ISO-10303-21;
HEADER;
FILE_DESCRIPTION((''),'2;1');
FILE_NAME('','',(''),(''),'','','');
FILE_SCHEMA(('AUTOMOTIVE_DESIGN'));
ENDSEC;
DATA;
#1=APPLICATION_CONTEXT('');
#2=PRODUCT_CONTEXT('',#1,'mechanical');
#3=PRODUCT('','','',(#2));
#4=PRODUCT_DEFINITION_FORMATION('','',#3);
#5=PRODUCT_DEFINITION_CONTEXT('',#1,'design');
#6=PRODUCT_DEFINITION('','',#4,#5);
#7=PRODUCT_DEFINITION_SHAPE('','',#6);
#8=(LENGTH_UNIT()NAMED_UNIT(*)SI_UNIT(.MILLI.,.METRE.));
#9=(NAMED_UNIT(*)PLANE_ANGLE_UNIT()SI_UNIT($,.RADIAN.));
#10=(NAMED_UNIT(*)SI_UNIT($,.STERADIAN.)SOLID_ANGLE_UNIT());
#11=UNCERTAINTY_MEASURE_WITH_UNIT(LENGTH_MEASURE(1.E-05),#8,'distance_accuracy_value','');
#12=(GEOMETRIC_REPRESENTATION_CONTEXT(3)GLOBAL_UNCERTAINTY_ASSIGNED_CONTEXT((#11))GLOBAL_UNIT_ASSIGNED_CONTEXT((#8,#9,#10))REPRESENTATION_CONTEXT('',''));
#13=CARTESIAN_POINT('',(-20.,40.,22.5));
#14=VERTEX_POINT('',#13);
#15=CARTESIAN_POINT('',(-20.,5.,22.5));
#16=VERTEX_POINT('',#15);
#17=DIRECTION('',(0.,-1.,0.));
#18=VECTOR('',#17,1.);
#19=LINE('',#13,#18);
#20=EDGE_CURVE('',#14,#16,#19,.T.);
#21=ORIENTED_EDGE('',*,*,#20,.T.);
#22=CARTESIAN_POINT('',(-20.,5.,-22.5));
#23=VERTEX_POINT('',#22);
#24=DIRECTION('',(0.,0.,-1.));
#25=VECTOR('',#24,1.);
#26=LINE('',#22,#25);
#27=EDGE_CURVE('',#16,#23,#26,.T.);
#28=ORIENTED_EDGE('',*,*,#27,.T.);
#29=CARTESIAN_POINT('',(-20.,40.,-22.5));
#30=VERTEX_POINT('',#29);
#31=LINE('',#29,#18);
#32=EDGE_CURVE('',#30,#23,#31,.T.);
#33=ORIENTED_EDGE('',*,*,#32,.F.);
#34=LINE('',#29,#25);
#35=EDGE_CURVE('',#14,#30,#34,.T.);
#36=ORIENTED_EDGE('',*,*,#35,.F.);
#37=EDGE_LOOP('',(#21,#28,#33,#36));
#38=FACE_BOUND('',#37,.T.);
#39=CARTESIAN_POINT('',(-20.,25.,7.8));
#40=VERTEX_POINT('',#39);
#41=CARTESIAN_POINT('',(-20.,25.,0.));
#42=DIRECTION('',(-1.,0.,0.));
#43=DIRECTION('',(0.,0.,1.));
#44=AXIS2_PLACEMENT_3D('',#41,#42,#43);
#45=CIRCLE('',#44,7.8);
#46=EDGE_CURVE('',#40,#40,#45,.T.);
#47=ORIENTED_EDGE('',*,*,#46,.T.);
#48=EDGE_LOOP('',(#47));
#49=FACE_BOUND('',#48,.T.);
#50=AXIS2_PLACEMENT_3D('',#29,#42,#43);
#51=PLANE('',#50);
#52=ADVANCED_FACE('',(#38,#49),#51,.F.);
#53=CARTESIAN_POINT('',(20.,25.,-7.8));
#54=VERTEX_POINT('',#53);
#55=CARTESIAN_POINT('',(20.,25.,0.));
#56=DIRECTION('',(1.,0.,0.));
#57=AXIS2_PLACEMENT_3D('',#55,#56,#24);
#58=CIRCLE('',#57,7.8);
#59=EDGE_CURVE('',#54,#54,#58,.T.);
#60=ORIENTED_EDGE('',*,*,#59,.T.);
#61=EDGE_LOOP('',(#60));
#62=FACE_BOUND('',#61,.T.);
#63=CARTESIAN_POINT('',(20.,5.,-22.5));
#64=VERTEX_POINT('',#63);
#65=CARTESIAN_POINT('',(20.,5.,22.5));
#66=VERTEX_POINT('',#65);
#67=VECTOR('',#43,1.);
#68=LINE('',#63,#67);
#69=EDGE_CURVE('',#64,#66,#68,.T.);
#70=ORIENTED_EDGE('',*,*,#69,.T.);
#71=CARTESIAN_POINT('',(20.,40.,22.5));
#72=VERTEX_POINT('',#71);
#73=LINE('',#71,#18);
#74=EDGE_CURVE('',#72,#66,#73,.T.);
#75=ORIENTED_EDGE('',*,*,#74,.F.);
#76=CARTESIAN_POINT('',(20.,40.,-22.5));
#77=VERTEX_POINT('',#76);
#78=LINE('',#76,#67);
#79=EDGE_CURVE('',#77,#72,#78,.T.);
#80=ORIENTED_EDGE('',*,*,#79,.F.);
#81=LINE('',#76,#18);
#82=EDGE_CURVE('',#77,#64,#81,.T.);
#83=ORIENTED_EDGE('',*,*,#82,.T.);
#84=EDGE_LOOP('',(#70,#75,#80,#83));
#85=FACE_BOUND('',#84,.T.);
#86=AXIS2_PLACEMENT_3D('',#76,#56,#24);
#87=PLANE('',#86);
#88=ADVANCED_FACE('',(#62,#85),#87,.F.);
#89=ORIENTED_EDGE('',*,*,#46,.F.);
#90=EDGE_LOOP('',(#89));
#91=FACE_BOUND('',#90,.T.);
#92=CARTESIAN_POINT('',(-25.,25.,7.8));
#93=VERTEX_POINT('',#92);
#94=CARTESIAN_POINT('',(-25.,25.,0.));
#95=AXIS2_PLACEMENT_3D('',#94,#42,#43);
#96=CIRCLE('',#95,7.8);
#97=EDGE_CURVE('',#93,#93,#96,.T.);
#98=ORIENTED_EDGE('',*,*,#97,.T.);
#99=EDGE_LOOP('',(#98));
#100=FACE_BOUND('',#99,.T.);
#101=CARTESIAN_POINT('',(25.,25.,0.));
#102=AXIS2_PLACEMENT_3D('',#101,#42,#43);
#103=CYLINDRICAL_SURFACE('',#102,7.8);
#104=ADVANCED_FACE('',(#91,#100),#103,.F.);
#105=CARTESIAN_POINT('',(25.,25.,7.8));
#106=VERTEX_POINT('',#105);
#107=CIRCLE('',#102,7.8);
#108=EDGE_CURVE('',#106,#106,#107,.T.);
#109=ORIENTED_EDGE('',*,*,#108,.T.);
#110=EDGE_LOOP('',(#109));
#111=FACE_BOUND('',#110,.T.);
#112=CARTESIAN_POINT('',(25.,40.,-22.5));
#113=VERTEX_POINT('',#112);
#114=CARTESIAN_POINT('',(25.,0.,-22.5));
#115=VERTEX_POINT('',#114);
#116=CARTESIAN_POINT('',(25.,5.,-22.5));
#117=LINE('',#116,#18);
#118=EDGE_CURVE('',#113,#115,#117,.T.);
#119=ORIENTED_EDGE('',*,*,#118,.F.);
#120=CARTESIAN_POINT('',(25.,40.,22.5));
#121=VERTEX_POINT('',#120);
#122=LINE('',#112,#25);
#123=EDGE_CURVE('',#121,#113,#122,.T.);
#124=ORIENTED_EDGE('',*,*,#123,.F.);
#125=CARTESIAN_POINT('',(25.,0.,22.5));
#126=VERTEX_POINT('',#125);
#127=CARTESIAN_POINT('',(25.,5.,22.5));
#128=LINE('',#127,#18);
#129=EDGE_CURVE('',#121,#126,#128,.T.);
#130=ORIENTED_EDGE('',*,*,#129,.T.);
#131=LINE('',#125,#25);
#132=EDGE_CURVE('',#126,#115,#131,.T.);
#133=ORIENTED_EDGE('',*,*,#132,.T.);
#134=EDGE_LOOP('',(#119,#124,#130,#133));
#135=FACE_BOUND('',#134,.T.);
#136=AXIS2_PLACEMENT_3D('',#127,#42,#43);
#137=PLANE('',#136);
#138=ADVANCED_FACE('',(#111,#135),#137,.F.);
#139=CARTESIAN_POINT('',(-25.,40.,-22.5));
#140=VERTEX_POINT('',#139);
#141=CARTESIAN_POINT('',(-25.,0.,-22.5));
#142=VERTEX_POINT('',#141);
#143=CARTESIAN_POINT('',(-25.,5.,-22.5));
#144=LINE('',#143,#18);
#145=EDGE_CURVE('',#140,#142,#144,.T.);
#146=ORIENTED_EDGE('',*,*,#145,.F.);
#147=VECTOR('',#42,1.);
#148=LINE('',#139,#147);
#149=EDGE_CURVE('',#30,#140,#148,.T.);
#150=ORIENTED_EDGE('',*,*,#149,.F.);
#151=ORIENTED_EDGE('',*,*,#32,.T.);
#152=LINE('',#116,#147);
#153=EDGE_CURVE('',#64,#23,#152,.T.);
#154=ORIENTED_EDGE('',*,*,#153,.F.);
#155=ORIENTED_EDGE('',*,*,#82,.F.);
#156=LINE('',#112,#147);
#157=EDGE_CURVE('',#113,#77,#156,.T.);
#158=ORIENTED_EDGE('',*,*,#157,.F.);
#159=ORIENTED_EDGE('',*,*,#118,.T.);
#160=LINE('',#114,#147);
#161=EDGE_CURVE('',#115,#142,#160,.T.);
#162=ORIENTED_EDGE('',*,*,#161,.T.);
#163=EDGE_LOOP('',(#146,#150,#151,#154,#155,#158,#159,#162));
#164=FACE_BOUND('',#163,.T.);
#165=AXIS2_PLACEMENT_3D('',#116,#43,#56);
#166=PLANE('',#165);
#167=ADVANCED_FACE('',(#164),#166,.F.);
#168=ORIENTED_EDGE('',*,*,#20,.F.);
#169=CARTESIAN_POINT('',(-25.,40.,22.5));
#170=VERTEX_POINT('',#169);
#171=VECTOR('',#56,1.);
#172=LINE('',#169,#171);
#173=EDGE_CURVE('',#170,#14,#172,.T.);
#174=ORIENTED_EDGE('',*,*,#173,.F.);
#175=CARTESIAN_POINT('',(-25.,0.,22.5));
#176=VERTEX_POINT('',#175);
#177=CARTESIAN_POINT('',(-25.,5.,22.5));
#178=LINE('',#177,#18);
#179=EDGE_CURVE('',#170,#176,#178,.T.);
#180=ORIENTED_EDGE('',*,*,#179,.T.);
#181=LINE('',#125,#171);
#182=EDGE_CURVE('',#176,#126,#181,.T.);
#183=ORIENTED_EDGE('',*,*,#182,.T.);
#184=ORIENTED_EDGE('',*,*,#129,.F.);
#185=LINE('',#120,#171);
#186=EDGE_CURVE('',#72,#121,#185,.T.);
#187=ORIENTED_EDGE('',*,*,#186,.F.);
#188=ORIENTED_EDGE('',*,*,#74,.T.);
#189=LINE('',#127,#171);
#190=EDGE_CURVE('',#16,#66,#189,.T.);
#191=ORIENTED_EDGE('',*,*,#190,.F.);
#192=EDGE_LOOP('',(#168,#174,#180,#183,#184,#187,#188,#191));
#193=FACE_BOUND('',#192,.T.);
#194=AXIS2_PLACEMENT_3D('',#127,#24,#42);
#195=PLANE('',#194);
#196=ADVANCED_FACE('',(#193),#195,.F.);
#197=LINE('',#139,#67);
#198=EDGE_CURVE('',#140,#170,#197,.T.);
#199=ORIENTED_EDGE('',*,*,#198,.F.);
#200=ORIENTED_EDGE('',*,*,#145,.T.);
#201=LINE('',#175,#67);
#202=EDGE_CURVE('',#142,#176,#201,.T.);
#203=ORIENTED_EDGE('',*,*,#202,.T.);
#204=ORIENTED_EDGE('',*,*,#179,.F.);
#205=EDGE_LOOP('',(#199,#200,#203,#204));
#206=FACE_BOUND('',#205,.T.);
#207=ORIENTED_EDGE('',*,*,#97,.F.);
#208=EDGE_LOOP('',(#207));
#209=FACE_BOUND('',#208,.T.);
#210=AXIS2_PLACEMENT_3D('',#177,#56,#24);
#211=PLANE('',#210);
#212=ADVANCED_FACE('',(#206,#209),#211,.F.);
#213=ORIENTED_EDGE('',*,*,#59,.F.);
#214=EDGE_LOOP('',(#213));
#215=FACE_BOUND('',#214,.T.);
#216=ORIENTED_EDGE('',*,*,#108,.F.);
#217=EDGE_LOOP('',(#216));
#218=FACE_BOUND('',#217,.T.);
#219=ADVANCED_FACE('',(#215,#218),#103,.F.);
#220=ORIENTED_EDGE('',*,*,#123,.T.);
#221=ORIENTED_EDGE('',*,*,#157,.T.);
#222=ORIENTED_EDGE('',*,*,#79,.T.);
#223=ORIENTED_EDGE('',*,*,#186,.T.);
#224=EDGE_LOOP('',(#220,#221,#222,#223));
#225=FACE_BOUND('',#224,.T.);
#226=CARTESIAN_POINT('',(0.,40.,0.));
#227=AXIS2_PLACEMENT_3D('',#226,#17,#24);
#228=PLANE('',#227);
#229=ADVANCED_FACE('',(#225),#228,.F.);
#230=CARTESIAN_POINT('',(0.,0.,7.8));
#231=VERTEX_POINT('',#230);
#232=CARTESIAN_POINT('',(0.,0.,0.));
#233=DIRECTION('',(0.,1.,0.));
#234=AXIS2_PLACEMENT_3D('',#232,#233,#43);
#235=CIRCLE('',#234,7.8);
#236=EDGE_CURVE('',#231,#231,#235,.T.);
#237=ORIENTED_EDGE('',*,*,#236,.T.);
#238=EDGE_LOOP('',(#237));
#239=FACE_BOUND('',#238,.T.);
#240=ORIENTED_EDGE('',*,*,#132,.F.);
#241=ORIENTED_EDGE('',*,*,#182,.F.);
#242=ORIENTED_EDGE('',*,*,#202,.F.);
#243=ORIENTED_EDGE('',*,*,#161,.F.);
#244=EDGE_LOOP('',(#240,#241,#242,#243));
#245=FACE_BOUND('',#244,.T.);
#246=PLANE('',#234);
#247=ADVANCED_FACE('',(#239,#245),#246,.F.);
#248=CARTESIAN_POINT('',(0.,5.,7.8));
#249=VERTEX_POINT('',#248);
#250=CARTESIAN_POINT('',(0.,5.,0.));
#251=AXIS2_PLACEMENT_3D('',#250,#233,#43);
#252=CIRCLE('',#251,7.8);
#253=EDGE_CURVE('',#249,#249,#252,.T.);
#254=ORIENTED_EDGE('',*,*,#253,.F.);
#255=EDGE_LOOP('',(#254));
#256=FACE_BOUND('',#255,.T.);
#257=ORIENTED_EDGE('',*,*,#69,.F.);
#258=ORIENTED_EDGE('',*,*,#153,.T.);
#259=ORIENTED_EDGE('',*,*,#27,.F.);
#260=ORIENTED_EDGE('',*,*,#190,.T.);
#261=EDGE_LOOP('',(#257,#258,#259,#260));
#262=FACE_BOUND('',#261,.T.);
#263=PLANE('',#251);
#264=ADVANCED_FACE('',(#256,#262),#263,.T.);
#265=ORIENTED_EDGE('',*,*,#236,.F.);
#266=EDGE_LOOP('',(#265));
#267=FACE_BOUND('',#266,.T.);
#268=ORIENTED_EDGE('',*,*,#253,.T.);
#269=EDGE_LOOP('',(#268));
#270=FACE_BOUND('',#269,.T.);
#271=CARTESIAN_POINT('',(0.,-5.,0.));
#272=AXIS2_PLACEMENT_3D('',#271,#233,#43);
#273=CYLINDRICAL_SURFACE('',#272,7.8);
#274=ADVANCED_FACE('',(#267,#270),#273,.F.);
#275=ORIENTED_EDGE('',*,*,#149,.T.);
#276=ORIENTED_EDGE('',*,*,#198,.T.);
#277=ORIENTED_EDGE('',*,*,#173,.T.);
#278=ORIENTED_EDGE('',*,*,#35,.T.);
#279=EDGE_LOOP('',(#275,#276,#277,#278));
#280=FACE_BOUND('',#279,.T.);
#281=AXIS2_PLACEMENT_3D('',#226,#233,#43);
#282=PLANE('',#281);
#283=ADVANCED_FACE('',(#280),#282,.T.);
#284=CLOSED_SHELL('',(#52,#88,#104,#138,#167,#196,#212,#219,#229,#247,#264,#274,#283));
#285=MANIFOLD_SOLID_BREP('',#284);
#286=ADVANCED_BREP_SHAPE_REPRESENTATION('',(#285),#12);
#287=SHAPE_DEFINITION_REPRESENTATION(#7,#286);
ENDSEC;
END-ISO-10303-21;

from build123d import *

# Parameters (mm, degrees)
SKETCH1_W           = 50
SKETCH1_H           = 45
BOSS_EXTRUDE1_DEPTH = 5
SKETCH5_W           = 5
SKETCH5_H           = 45
BOSS_EXTRUDE3_DEPTH = 35
SKETCH9_R           = 7.8
CUT_EXTRUDE5_DEPTH  = 10
SKETCH11_R          = 7.8
CUT_EXTRUDE8_DEPTH  = 51


with BuildPart() as part:
    # Sketch1 → Boss-Extrude1 (new body)
    with BuildSketch(Plane(origin=(0, 0, 0), x_dir=(1, 0, 0), z_dir=(0, 1, 0))):
        Rectangle(SKETCH1_W, SKETCH1_H)
    extrude(amount=BOSS_EXTRUDE1_DEPTH)

    # Sketch5 → Boss-Extrude3 (add)
    with BuildSketch(Plane(origin=(0, 5, 0), x_dir=(1, 0, 0), z_dir=(0, 1, 0))):
        with Locations((22.5, 0)):
            Rectangle(SKETCH5_W, SKETCH5_H)
        with Locations((-22.5, 0)):
            Rectangle(SKETCH5_W, SKETCH5_H)
    extrude(amount=BOSS_EXTRUDE3_DEPTH)

    # Sketch9 → Cut-Extrude5 (cut)
    with BuildSketch(Plane(origin=(0, 5, 0), x_dir=(1, 0, 0), z_dir=(0, 1, 0))):
        Circle(SKETCH9_R)
    extrude(amount=-CUT_EXTRUDE5_DEPTH, mode=Mode.SUBTRACT)

    # Sketch11 → Cut-Extrude8 (cut, through all)
    with BuildSketch(Plane.ZY.offset(25)):
        with Locations((0, 25)):
            Circle(SKETCH11_R)
    extrude(amount=-CUT_EXTRUDE8_DEPTH, mode=Mode.SUBTRACT)


solid = part.part
